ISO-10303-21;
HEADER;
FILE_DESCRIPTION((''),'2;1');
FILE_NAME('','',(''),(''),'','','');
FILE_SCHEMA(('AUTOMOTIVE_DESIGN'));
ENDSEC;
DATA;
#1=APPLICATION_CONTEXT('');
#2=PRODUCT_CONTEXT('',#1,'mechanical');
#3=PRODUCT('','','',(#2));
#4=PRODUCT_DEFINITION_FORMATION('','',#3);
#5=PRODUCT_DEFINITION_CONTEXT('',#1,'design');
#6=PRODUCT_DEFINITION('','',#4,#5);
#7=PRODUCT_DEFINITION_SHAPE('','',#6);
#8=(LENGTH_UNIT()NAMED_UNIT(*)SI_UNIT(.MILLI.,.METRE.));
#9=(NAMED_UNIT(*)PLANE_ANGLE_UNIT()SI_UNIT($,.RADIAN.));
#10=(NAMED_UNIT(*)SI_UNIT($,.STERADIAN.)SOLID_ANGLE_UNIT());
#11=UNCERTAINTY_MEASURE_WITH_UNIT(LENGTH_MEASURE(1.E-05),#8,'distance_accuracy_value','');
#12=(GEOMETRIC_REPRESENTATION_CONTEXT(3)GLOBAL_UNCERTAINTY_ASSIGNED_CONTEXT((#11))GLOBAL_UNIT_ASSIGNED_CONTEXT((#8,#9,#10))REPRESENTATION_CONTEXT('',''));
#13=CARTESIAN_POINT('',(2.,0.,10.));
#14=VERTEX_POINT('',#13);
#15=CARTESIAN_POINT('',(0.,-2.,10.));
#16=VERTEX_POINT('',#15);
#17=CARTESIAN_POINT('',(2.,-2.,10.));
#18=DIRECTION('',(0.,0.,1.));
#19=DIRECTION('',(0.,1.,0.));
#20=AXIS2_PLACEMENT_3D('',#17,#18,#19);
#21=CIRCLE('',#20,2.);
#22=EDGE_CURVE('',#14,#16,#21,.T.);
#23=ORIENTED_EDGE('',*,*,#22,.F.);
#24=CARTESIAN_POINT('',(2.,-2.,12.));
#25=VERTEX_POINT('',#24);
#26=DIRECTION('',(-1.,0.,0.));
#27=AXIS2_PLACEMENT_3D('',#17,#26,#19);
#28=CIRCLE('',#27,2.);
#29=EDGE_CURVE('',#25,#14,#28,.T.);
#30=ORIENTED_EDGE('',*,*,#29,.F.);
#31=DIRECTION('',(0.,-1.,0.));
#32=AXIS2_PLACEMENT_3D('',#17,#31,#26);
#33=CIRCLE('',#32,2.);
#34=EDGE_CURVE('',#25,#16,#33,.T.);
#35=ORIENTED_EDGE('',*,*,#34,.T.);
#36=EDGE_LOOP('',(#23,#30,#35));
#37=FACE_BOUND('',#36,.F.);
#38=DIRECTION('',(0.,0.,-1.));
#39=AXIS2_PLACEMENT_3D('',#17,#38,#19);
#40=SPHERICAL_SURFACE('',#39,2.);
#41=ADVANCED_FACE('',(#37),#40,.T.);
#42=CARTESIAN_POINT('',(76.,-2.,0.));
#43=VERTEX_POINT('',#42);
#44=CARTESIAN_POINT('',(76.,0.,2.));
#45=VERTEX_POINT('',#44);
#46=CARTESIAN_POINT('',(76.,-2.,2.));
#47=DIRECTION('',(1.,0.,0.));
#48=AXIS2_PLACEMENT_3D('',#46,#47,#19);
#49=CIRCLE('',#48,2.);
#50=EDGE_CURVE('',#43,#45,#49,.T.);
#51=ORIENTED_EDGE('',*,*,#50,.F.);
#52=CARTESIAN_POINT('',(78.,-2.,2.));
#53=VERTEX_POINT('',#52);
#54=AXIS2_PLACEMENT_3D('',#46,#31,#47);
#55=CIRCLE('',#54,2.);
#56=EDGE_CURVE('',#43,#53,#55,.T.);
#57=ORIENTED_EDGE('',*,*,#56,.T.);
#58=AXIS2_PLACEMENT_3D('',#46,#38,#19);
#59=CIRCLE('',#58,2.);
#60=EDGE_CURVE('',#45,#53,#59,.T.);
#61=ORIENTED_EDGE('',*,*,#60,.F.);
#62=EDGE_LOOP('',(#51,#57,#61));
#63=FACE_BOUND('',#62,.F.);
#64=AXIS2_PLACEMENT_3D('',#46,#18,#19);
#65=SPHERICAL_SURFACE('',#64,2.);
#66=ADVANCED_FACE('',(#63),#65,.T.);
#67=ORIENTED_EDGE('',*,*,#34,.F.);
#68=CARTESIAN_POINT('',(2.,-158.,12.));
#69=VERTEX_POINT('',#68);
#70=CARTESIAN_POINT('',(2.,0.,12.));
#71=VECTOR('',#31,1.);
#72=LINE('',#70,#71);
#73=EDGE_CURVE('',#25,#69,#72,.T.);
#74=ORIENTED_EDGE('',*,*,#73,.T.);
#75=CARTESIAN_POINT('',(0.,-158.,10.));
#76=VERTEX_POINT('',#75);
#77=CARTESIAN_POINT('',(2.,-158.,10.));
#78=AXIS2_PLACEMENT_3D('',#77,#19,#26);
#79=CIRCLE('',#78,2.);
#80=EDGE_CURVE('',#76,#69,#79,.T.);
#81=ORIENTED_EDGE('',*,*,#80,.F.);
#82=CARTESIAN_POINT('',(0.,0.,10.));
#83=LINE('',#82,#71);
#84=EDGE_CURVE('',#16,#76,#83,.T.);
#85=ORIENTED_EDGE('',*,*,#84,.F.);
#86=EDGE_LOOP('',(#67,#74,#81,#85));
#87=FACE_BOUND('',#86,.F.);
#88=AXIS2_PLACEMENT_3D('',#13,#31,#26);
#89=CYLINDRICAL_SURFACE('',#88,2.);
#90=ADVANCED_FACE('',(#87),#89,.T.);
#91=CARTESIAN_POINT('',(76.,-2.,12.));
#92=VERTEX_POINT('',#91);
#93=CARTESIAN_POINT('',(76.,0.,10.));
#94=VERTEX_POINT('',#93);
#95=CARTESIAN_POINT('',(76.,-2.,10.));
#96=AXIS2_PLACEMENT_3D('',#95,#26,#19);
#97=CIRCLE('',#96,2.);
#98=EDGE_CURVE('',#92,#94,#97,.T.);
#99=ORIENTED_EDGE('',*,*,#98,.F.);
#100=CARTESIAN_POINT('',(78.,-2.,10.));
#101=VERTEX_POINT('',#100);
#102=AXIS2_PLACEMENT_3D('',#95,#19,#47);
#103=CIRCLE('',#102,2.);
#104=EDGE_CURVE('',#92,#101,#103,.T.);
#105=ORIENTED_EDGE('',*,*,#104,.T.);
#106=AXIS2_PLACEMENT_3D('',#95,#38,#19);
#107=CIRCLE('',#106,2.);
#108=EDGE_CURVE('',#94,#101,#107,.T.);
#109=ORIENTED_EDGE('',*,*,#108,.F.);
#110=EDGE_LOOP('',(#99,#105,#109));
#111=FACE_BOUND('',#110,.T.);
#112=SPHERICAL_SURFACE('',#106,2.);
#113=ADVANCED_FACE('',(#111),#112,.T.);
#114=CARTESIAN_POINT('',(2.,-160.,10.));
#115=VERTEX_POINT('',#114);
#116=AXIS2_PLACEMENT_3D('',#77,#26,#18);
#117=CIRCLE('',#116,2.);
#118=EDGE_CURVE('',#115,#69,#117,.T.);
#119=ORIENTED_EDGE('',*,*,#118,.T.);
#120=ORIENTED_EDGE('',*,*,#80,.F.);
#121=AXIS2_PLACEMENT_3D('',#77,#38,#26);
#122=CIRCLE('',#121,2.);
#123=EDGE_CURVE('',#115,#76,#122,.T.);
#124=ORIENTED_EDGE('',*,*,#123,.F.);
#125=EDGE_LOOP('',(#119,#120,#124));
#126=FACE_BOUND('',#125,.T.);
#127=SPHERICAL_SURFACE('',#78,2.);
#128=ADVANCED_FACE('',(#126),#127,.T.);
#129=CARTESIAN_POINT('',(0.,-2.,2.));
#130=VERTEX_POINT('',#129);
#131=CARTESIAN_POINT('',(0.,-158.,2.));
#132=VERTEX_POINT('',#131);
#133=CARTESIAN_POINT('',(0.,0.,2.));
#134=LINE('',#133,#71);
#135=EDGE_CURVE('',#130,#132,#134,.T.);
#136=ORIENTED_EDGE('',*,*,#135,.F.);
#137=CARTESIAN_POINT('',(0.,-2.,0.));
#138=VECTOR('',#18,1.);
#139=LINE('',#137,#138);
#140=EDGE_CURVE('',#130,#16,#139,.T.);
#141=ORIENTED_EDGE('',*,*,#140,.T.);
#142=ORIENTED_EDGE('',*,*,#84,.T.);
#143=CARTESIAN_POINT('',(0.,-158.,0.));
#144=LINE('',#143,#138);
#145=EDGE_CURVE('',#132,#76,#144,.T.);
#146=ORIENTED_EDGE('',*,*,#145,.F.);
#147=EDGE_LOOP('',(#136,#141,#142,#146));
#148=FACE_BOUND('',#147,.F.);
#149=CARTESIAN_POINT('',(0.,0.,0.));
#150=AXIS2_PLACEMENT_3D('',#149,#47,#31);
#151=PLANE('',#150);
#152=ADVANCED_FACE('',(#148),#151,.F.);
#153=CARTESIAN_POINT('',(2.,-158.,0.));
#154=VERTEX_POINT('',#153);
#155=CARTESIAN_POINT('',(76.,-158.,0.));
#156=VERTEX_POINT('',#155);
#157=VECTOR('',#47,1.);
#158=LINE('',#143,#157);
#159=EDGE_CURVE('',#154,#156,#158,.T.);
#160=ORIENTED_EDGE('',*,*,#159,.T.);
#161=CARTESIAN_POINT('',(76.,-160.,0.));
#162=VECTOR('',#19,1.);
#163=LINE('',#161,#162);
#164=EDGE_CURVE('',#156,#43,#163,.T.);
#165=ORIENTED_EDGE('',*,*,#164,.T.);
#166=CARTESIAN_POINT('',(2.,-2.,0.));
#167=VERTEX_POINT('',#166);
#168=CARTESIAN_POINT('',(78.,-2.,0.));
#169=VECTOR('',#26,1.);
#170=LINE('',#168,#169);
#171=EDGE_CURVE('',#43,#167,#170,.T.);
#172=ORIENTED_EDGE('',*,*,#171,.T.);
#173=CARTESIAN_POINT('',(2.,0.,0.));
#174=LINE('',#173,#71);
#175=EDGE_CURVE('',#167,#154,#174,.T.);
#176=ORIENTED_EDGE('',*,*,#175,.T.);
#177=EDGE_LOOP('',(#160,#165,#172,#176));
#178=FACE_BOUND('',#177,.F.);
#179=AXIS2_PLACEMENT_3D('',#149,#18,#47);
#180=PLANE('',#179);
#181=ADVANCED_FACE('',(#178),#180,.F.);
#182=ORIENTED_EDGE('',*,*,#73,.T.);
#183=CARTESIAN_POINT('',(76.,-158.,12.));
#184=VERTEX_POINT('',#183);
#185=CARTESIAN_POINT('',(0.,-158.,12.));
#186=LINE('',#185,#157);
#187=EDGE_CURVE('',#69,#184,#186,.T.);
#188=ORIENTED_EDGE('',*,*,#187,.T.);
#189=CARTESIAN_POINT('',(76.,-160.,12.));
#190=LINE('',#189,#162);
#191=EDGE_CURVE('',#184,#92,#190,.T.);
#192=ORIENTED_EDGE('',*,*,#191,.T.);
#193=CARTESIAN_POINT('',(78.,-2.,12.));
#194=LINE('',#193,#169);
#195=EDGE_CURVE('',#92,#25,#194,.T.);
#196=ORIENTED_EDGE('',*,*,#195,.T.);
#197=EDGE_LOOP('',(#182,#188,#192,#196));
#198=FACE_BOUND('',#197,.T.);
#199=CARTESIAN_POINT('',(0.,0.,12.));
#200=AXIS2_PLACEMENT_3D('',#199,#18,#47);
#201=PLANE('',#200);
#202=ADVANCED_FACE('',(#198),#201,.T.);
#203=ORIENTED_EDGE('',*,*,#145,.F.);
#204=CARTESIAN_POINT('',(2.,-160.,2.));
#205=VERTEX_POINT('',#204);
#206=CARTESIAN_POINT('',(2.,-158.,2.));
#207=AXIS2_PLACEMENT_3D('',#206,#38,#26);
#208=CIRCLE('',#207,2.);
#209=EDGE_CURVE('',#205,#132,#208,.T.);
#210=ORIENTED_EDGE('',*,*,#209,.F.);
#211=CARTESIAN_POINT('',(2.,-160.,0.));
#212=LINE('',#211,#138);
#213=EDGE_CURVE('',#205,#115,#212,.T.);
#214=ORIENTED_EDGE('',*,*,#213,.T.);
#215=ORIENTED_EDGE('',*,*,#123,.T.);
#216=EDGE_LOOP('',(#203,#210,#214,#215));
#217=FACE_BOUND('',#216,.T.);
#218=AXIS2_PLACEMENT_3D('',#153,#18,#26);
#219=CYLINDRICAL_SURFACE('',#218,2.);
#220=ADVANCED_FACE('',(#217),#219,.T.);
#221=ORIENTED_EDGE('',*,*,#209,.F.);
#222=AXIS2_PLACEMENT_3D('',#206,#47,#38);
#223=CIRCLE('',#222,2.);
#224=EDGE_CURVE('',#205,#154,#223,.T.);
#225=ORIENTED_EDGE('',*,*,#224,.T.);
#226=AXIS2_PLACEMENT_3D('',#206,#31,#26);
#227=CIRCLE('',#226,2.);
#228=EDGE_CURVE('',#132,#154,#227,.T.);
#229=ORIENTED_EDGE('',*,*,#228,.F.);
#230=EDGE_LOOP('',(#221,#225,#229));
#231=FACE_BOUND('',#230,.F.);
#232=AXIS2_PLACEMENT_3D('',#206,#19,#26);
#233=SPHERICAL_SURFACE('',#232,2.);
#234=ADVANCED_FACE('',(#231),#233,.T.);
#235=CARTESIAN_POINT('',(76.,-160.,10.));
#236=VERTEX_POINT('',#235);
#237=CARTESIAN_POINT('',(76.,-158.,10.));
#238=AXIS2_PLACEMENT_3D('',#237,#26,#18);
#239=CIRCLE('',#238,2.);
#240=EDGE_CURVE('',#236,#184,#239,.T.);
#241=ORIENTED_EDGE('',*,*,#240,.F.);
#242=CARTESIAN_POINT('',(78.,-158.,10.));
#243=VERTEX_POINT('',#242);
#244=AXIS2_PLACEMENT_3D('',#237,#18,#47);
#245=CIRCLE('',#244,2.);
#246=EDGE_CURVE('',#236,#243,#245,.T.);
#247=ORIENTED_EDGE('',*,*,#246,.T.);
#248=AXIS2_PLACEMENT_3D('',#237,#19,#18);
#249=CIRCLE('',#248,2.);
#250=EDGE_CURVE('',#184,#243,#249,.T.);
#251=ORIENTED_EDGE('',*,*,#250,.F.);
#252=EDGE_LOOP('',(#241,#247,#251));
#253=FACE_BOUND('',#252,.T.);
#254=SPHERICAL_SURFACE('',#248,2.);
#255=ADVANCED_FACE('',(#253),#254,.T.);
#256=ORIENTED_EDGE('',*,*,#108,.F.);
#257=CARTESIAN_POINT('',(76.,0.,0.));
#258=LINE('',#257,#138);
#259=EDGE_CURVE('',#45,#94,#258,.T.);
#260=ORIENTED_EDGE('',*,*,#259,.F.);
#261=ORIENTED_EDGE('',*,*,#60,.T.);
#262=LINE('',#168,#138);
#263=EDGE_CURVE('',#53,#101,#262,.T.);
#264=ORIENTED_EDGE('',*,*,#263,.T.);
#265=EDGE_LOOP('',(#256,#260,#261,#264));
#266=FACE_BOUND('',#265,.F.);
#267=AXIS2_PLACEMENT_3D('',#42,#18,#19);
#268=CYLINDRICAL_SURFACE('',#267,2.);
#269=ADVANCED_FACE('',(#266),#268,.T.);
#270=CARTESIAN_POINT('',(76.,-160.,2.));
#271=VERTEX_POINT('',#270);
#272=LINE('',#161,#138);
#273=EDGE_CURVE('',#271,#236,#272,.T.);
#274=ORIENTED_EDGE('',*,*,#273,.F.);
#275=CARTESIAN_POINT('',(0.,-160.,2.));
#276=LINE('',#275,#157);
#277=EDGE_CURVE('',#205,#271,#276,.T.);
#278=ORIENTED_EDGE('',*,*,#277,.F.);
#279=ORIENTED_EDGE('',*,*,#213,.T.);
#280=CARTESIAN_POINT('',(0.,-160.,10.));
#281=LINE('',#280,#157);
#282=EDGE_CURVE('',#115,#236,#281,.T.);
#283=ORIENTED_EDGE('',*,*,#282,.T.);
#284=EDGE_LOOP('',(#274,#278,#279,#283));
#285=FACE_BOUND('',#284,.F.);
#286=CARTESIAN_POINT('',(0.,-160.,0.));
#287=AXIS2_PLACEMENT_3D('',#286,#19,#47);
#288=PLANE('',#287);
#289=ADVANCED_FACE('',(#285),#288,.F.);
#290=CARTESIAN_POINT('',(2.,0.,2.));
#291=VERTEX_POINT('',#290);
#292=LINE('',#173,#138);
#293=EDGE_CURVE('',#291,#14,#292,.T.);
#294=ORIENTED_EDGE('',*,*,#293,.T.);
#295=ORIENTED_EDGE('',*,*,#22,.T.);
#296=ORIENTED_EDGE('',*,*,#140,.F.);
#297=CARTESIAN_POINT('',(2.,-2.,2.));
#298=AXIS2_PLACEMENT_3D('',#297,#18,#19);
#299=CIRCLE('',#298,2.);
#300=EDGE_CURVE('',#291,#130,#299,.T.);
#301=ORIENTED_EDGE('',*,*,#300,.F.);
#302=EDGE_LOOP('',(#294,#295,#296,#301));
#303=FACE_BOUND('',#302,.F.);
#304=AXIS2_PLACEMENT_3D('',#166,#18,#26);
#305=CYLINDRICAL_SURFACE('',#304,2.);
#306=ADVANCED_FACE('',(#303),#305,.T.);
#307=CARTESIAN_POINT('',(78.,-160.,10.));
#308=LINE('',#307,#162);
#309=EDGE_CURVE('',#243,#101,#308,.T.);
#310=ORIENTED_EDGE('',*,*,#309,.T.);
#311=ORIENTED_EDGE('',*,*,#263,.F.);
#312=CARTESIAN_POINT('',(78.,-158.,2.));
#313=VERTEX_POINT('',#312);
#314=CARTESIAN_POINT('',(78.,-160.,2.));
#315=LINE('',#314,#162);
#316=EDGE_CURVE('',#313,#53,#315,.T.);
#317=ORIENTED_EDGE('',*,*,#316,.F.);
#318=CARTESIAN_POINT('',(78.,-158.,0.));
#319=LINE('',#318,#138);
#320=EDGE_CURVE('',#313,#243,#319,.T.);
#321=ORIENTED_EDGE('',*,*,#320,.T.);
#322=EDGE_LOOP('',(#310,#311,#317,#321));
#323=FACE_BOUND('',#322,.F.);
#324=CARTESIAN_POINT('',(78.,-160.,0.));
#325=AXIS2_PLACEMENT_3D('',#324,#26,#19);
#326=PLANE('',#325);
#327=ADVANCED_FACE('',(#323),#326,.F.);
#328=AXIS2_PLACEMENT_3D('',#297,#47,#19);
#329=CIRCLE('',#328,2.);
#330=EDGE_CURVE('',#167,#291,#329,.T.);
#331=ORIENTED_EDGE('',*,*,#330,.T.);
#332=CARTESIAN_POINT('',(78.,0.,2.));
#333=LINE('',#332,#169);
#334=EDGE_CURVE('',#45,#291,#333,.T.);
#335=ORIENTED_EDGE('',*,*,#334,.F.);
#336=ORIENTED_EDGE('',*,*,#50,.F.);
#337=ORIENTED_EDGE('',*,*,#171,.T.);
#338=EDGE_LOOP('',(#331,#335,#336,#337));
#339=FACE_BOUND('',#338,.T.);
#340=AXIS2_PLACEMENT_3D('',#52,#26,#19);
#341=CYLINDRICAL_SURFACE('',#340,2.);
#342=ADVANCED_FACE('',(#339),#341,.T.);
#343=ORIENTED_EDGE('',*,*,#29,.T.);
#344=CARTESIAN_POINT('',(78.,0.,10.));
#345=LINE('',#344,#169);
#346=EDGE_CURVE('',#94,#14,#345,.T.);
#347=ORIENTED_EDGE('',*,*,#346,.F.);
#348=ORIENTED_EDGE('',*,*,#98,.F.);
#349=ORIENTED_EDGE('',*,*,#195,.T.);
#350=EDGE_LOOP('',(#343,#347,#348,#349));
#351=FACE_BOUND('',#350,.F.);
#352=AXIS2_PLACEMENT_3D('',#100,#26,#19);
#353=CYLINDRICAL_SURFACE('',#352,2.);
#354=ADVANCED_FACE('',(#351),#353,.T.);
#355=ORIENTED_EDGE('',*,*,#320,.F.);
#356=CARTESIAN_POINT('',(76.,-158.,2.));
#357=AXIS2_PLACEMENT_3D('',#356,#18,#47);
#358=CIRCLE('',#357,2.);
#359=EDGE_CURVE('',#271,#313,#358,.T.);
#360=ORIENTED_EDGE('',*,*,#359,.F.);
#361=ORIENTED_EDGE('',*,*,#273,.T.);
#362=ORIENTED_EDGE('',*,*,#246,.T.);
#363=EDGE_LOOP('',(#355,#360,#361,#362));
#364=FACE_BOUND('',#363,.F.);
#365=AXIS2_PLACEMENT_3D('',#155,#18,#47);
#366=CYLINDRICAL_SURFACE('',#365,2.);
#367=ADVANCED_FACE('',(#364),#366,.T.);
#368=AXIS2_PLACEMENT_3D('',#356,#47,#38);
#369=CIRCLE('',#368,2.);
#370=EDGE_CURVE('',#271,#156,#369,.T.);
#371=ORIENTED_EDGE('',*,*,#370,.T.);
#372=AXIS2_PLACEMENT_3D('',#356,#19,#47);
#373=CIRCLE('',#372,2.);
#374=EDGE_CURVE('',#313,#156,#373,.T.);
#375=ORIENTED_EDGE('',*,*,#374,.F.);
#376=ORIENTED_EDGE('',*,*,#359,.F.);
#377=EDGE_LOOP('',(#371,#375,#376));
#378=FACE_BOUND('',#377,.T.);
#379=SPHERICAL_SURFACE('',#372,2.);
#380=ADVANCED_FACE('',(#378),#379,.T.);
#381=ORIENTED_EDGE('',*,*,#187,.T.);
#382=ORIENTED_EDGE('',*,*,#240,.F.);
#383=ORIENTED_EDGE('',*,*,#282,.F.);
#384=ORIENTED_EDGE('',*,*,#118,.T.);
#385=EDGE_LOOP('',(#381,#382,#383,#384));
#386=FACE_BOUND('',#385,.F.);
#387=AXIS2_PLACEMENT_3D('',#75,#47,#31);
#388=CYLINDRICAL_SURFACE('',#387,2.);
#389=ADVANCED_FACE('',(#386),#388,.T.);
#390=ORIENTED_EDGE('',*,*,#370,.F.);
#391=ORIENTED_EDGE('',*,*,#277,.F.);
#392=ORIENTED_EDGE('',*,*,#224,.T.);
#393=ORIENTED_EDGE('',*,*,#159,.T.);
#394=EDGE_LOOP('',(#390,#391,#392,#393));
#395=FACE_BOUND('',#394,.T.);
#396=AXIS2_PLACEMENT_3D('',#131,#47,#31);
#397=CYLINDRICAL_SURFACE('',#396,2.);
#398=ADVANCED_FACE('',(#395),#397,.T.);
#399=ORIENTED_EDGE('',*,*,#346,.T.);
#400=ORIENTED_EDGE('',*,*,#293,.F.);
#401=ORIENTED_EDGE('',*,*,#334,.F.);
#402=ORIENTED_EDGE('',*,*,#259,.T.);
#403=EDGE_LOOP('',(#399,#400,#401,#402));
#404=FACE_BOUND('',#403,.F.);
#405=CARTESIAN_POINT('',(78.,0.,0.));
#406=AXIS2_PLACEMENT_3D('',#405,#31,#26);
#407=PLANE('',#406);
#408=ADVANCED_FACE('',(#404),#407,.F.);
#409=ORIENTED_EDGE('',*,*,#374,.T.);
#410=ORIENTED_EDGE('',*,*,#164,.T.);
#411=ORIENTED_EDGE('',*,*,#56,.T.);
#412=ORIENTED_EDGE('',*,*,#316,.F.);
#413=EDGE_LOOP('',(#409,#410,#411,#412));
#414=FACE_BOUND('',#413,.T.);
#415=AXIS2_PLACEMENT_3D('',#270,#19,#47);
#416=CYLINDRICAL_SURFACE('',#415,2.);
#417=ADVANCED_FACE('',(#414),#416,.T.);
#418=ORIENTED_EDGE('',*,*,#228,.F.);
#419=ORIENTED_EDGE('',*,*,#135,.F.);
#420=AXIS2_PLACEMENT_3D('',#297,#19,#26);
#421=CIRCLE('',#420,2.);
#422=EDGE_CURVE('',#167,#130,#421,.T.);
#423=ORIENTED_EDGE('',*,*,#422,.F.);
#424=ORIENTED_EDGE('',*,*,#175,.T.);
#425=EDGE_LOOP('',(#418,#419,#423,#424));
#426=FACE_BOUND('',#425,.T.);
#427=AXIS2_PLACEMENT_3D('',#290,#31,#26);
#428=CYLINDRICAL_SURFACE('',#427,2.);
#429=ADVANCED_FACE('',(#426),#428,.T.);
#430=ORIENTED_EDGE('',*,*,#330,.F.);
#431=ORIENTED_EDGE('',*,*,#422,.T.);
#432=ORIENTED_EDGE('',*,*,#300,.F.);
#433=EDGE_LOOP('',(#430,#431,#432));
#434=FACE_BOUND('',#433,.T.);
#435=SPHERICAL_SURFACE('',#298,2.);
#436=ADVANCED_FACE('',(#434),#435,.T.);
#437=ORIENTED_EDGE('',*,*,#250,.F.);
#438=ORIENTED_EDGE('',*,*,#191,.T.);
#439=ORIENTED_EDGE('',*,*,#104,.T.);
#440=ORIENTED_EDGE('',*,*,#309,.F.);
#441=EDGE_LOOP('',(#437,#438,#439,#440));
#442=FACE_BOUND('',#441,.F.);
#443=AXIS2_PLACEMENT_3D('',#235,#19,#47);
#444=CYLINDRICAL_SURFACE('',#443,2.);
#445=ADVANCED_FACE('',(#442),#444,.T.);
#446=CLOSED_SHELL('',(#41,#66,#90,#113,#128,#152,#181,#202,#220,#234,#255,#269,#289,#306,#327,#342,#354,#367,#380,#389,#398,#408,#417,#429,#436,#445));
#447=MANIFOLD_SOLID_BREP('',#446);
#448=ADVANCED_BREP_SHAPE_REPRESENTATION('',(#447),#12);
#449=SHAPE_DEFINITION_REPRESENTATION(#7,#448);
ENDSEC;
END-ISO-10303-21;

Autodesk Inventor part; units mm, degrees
ref_plane "YZ Plane" through (0, 0, 0) normal (1, 0, 0) x (0, 1, 0)
ref_plane "XZ Plane" through (0, 0, 0) normal (0, 1, 0) x (-1, 0, 0)
ref_plane "XY Plane" through (0, 0, 0) normal (0, 0, 1) x (1, 0, 0)
sketch "Sketch1" plane through (0, 0, 0) normal (0, 0, 1) x (1, 0, 0)
  line L0 (0, -160) -> (78, -160)
  line L1 (78, -160) -> (78, 0)
  line L2 (78, 0) -> (0, 0)
  line L3 (0, 0) -> (0, -160)
  dimension "d228" = 78
  dimension "d229" = 160
extrude "Extrusion1" add sketch "Sketch1" along normal blind 12
fillet "Fillet1" radius 2 12 edges at (78, 0, 6) (0, 0, 6) (39, 0, 12) (39, 0, 0) (78, -80, 12) (78, -80, 0) (0, -80, 12) (0, -80, 0) (0, -160, 6) (39, -160, 12) (78, -160, 6) (39, -160, 0)
properties part number "Langbektang houder"
